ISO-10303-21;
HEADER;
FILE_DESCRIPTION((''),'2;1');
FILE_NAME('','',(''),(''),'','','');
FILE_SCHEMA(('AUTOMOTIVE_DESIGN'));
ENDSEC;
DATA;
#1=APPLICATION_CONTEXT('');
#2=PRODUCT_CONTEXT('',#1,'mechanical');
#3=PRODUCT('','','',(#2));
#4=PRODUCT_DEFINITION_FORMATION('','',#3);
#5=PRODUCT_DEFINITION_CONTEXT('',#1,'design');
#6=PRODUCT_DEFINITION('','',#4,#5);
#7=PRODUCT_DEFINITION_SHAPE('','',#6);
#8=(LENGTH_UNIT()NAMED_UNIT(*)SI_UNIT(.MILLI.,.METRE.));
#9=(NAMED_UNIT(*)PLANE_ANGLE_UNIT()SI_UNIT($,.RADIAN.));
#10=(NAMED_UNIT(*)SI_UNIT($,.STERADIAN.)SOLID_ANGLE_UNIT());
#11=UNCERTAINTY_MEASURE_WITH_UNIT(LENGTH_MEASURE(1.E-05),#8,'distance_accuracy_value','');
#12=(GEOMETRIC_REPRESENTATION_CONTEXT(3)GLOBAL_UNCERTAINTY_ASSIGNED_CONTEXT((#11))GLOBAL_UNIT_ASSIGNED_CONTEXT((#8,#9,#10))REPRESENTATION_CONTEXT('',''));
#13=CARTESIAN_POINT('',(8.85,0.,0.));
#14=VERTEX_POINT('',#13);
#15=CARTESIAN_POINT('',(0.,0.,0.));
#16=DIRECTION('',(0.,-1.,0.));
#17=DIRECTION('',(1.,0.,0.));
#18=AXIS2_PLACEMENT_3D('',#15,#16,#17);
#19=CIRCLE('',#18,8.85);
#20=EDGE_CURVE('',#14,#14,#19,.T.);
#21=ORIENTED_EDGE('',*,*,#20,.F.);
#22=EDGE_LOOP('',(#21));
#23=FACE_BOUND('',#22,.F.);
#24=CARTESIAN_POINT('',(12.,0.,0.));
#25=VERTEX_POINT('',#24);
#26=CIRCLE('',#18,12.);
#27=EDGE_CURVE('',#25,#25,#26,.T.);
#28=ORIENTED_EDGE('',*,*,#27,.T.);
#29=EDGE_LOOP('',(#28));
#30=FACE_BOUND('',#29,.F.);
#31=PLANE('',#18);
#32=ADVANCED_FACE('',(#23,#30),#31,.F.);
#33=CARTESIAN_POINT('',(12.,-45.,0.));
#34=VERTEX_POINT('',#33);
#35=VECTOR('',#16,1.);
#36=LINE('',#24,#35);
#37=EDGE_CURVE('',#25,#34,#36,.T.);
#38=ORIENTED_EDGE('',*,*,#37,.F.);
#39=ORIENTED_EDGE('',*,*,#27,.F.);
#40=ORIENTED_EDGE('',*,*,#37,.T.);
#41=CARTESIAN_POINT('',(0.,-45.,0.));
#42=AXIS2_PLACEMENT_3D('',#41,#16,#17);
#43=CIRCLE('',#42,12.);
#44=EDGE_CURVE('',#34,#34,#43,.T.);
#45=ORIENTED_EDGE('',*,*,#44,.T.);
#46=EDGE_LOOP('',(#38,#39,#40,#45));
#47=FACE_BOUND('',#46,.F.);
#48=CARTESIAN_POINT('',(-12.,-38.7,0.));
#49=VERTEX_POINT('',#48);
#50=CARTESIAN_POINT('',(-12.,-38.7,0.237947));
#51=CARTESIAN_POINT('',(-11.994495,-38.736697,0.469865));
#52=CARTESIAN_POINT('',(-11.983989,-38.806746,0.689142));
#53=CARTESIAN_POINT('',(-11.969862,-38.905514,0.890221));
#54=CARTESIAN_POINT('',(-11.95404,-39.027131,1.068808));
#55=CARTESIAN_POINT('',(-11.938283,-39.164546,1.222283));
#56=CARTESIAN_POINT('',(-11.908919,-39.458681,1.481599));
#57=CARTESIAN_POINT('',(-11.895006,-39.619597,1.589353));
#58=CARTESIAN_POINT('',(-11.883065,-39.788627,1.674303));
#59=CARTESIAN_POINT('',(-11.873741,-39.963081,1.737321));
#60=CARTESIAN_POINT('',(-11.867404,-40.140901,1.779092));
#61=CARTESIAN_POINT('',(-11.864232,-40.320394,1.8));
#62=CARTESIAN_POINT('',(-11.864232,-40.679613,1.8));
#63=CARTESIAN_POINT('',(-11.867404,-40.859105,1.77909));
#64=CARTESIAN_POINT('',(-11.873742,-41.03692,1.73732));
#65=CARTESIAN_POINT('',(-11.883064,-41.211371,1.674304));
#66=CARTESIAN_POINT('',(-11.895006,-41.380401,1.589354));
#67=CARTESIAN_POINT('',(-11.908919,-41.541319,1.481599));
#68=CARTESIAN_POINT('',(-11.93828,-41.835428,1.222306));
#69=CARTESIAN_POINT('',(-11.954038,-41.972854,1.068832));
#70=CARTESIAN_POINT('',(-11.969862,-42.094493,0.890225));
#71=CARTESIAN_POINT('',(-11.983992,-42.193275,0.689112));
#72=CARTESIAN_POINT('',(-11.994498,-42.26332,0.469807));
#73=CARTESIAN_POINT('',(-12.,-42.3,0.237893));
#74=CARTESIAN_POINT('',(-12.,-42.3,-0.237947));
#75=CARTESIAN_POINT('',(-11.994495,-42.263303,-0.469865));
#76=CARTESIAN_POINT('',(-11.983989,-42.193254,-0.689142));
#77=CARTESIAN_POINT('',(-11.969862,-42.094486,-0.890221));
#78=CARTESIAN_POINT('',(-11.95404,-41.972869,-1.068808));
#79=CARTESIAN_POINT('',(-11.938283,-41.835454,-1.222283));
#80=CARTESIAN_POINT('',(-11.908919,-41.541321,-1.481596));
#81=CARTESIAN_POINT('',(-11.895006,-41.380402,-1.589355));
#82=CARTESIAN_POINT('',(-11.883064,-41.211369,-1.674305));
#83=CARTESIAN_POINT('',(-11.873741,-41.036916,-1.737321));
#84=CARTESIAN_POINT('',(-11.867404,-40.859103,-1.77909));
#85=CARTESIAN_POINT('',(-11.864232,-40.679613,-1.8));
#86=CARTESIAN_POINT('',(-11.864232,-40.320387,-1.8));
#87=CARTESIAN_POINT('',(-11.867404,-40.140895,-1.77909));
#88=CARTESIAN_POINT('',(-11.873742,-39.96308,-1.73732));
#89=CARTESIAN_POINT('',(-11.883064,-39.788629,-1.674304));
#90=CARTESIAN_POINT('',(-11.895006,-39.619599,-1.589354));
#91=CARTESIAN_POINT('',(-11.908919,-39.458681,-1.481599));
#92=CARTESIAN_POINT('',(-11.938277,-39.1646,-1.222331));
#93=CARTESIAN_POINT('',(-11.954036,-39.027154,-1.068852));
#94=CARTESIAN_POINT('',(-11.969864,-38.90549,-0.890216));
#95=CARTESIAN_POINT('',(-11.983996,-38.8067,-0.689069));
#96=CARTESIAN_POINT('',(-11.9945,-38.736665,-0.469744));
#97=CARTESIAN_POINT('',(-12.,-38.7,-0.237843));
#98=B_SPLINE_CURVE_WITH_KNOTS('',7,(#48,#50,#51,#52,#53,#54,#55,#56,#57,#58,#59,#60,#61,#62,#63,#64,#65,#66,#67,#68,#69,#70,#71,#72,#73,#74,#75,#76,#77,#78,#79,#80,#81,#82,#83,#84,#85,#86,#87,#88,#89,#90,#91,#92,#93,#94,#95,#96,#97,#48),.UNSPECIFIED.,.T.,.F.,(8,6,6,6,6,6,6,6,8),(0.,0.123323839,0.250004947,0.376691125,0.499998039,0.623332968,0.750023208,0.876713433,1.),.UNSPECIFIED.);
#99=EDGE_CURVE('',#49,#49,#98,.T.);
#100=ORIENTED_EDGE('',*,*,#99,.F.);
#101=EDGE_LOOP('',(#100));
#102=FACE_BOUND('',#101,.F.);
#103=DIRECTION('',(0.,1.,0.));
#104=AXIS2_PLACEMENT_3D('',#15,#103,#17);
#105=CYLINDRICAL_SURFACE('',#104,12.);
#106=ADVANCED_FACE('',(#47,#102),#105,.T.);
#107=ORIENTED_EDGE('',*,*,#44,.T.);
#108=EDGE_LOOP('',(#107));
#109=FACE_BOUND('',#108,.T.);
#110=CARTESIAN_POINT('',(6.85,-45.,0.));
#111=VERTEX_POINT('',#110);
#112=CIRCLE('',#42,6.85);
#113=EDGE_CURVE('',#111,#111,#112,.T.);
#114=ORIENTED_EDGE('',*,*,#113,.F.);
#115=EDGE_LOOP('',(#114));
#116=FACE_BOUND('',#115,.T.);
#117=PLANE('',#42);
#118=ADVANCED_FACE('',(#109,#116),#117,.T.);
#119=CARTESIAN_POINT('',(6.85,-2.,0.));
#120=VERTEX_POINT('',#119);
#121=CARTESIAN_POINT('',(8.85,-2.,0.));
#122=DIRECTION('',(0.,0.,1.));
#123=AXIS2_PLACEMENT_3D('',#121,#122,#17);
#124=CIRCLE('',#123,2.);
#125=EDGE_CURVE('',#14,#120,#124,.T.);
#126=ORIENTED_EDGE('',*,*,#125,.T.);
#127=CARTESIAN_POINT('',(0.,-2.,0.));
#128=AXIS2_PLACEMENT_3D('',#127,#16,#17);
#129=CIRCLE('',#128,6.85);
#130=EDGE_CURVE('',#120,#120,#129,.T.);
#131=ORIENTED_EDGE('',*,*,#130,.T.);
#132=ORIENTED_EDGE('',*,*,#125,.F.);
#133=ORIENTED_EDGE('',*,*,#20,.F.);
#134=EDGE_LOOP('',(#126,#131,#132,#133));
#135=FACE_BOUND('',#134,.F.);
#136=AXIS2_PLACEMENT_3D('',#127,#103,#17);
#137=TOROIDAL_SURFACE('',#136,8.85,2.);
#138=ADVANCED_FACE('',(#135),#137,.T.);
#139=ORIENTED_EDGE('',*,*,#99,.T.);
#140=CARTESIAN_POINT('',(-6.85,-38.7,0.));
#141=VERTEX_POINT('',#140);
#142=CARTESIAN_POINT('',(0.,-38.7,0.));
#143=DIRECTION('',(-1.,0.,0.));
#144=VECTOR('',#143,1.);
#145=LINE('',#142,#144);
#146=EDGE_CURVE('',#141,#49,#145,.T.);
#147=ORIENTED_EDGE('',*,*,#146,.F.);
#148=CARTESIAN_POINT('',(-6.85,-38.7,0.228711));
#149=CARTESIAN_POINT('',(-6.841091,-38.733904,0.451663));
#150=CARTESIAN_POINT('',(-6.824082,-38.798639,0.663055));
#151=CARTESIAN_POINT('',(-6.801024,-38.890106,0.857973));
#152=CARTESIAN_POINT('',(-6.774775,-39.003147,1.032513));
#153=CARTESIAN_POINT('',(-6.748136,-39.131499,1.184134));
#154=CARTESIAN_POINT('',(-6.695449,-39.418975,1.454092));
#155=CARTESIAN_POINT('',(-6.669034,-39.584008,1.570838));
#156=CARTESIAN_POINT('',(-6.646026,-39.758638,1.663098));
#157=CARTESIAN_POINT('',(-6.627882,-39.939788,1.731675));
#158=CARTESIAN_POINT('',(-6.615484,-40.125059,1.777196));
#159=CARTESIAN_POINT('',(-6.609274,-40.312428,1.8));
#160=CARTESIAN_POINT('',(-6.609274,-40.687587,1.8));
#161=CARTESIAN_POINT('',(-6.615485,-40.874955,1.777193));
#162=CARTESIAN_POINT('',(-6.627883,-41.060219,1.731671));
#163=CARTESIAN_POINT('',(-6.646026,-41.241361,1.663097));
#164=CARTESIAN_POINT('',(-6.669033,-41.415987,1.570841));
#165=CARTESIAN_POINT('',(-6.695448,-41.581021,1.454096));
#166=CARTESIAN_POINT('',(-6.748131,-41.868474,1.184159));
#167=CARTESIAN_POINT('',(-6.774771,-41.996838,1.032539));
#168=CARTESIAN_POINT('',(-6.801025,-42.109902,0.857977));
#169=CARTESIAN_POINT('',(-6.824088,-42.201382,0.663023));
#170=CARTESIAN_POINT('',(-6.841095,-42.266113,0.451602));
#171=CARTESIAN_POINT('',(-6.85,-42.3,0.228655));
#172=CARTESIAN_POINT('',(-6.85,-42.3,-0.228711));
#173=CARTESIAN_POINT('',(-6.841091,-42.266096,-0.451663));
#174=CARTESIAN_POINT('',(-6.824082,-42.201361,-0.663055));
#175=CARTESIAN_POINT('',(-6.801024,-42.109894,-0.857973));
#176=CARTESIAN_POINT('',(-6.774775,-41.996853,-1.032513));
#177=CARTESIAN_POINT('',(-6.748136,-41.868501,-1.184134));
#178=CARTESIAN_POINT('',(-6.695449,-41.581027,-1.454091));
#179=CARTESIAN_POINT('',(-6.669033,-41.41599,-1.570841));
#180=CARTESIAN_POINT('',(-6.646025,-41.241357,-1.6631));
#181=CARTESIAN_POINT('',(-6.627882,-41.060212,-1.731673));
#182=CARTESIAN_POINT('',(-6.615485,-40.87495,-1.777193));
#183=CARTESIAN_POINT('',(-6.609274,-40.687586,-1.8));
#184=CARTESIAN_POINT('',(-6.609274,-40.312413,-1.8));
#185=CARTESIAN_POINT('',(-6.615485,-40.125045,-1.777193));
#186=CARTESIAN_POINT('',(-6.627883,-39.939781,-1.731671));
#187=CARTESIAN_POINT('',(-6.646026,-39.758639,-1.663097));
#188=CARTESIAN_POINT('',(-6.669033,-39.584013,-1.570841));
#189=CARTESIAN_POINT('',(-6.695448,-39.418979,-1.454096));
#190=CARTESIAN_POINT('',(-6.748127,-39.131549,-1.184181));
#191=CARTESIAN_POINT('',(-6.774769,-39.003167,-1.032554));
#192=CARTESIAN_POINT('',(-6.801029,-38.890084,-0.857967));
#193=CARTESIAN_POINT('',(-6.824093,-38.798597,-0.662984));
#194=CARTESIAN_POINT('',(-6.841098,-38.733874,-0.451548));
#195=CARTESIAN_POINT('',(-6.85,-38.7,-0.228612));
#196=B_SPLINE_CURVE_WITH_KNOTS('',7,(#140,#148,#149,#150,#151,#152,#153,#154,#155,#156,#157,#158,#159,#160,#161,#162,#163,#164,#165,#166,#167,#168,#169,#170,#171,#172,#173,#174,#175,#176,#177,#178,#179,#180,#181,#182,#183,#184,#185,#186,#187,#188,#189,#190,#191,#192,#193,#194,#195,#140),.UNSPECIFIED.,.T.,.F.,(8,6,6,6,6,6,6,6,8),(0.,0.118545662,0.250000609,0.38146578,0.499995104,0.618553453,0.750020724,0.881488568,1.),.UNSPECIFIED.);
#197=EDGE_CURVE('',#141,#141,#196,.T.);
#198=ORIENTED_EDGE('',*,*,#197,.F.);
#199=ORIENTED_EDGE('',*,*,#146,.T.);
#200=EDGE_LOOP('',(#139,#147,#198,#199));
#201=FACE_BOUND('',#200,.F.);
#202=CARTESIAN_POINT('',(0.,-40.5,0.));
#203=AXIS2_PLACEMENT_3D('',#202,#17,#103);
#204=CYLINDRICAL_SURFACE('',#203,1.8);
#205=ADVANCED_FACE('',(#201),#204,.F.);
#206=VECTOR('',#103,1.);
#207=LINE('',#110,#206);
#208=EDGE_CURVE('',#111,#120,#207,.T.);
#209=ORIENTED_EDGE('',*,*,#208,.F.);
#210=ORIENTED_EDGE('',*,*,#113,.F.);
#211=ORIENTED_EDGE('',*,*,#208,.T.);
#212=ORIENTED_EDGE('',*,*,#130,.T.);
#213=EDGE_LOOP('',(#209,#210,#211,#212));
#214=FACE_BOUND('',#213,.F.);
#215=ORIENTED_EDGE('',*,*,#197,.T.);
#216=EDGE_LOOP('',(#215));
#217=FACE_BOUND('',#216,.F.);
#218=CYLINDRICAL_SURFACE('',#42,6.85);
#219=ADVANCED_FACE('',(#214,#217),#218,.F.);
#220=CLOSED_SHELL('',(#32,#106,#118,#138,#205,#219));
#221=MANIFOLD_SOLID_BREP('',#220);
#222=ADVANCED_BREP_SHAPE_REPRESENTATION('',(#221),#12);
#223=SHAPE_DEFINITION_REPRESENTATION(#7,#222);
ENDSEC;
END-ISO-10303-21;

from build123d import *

# Parameters (mm, degrees)
F0_R     = 12
F1_DEPTH = 45
F2_R     = 6.85
F3_DEPTH = 50
F4_R     = 1.8
F5_DEPTH = 25
F6_R     = 2


with BuildPart() as f1:
    # F0 (on Front) → F1 (new body)
    with BuildSketch(Plane.XZ):
        Circle(F0_R)
    extrude(amount=F1_DEPTH)

    # F2 (on face) → F3 (cut)
    with BuildSketch(Plane.XZ.offset(45)):
        Circle(F2_R)
    extrude(amount=-F3_DEPTH, mode=Mode.SUBTRACT)

    # F4 (on Right) → F5 (cut)
    with BuildSketch(Plane.YZ):
        with Locations((-40.5, 0)):
            Circle(F4_R)
    extrude(amount=-F5_DEPTH, mode=Mode.SUBTRACT)

    # F6
    f6_edges = [f1.edges().sort_by_distance(p)[0] for p in [
        (-6.85, 0, 0),
    ]]
    fillet(f6_edges, radius=F6_R)


solid = f1.part
